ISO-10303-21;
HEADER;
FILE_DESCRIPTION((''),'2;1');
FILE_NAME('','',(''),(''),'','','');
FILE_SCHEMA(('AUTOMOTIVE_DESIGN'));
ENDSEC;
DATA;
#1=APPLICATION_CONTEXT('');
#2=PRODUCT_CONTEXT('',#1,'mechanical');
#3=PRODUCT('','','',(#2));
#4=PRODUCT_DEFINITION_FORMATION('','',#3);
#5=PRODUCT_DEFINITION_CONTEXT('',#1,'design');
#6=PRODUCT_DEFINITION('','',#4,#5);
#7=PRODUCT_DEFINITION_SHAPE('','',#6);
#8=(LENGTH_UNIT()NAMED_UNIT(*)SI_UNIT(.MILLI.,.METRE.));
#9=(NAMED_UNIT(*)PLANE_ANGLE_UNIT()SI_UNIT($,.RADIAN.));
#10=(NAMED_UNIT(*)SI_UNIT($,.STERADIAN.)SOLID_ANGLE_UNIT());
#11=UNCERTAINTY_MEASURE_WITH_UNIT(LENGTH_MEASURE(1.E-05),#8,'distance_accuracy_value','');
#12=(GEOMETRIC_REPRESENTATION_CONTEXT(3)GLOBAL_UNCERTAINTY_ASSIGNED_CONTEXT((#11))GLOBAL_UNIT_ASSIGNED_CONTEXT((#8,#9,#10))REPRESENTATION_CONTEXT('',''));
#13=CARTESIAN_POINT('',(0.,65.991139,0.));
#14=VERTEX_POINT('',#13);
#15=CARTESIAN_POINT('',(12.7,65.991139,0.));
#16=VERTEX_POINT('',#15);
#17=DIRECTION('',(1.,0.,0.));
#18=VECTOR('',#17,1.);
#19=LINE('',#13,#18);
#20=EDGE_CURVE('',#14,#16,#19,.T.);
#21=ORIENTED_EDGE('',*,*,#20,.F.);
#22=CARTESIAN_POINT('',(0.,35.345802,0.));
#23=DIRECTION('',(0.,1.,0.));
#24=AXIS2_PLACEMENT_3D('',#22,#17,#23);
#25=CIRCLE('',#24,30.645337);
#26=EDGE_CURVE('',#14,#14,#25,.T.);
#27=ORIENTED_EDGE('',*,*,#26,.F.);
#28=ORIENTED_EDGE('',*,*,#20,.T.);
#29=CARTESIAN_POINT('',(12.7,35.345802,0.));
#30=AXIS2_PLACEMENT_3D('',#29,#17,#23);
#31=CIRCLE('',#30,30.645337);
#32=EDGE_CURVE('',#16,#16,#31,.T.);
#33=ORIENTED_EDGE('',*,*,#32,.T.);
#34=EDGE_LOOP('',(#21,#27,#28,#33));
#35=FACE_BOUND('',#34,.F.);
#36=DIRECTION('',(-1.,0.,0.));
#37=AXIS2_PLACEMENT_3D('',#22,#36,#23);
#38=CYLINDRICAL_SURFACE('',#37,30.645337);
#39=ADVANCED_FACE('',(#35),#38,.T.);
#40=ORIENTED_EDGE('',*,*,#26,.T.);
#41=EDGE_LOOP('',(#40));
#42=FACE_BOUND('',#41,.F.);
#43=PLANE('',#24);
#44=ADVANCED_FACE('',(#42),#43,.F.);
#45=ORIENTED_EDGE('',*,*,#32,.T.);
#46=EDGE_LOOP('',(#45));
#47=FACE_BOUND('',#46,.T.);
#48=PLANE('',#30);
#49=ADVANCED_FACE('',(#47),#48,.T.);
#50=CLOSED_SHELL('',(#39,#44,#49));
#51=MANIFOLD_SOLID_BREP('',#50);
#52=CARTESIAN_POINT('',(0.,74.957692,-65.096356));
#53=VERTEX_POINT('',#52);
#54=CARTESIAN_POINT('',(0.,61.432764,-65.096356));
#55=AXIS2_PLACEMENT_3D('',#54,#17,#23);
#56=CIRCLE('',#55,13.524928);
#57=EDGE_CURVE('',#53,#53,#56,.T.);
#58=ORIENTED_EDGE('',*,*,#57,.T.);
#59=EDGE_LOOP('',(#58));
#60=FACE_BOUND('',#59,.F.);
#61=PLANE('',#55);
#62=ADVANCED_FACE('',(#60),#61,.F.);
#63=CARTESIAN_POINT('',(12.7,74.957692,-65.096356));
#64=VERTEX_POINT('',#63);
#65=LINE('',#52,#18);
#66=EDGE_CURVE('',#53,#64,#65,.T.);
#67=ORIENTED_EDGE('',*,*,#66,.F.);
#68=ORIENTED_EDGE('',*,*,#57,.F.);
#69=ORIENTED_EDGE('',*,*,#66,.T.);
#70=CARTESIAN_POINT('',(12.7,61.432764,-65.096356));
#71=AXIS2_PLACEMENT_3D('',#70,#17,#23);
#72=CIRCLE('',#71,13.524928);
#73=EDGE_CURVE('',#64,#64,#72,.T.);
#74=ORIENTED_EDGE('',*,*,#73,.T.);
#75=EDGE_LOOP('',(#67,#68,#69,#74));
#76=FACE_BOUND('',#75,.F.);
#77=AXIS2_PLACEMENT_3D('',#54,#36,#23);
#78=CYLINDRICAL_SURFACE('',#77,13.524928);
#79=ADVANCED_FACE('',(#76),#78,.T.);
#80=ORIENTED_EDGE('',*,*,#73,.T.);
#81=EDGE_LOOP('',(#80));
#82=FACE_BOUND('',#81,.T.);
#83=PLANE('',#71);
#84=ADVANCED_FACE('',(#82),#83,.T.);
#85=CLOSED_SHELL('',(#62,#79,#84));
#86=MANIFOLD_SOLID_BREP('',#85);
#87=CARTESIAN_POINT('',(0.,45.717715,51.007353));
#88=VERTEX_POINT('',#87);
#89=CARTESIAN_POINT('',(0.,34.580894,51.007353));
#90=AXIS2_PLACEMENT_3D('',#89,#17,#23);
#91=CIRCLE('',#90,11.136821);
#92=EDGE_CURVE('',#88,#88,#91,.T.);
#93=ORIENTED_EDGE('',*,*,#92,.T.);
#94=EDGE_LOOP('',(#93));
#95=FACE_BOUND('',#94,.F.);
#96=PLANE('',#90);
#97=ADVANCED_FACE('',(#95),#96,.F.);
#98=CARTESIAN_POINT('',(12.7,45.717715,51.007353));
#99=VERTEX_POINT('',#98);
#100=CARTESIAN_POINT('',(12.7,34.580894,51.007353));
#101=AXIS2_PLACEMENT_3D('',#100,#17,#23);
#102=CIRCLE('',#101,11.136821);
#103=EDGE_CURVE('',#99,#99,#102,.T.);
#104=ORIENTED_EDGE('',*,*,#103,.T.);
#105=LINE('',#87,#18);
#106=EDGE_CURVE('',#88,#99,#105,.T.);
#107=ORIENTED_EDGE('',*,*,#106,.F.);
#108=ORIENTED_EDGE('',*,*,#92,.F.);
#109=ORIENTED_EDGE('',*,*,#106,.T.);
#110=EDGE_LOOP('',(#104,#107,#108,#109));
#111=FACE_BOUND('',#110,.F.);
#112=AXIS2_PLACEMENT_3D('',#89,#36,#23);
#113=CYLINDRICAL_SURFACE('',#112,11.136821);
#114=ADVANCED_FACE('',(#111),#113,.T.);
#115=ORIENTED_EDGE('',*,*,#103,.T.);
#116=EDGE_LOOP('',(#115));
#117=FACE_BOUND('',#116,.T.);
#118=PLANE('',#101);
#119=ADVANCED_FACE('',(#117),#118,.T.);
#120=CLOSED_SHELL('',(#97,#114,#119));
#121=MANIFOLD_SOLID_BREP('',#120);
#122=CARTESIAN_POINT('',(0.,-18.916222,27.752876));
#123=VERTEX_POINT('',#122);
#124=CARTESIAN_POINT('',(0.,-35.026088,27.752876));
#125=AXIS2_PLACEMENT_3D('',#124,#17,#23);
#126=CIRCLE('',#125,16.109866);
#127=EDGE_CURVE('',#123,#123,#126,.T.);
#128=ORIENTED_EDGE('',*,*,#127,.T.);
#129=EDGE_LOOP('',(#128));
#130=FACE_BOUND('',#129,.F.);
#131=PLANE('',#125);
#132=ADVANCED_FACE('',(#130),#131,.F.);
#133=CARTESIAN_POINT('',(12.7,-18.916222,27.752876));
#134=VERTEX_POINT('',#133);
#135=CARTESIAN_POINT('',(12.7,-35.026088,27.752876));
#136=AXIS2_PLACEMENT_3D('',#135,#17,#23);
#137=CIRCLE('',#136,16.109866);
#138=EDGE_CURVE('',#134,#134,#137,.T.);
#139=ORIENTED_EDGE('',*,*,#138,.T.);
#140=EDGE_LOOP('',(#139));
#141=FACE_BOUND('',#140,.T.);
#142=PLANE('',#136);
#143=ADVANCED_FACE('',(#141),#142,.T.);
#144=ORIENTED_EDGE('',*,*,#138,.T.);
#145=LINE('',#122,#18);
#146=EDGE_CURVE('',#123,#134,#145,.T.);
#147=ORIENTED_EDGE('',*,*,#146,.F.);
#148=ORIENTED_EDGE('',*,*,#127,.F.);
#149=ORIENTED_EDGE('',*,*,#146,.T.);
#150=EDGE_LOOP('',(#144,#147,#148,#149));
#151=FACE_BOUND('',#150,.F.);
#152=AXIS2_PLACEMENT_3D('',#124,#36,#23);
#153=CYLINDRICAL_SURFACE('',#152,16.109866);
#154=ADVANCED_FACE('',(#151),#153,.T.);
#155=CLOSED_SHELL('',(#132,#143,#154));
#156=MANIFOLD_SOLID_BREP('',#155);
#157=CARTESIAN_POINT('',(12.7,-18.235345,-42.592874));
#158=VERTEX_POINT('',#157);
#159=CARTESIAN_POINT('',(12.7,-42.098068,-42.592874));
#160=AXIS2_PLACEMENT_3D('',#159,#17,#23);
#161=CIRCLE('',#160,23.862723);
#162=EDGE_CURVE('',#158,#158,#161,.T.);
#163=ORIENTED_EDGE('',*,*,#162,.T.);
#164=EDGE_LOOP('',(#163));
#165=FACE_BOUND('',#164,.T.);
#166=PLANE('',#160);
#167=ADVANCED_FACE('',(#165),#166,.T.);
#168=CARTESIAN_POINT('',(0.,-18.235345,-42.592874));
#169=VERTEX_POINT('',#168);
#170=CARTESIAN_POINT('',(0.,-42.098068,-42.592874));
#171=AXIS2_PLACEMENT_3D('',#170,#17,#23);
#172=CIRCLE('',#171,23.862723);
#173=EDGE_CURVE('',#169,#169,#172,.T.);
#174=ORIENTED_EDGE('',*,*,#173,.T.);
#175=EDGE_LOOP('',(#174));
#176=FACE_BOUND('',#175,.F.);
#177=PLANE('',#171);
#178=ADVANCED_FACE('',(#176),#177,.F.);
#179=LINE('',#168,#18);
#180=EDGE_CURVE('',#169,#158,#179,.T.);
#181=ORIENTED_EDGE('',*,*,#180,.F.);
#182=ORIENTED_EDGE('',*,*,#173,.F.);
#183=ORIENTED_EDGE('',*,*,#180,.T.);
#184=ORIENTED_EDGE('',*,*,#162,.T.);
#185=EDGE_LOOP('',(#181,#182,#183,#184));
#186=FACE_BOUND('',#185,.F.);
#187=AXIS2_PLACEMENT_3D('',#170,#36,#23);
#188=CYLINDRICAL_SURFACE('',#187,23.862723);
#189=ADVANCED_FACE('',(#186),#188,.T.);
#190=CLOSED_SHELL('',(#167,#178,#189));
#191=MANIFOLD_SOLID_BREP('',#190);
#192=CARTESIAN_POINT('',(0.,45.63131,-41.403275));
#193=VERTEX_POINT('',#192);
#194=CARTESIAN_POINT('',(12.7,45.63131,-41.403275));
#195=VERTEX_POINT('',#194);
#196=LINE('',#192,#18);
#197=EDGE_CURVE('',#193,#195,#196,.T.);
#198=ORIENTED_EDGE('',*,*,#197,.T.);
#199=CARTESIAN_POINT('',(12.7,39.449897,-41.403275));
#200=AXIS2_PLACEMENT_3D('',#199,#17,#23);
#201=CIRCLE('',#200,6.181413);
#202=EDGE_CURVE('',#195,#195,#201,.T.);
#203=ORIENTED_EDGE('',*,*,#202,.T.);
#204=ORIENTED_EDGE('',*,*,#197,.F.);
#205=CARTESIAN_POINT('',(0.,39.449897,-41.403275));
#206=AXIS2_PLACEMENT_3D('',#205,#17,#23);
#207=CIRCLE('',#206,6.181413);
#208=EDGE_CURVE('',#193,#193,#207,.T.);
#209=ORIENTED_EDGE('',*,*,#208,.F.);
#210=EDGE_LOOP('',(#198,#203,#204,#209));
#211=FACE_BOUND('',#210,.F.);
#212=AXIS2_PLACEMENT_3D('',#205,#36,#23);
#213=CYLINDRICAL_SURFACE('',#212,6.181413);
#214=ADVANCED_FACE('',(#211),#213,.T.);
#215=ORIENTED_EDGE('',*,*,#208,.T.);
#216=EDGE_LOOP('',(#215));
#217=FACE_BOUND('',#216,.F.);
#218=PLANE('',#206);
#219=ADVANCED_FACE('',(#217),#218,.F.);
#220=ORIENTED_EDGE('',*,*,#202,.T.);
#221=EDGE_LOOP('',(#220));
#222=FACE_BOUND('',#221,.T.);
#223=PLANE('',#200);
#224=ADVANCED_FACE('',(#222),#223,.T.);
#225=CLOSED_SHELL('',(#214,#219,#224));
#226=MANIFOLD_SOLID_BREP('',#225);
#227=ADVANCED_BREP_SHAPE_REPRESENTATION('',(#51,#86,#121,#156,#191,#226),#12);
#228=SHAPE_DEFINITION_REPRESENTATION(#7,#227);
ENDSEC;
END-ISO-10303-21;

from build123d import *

# Parameters (mm, degrees)
F0_R     = 13.524928
F0_R_2   = 6.181413
F0_R_3   = 30.645337
F0_R_4   = 16.109866
F0_R_5   = 23.862723
F0_R_6   = 11.136821
F1_DEPTH = 12.7


with BuildPart() as f1:
    # F0 (on Right) → F1 (new body)
    with BuildSketch(Plane.YZ):
        with Locations((61.432764, -65.096356)):
            Circle(F0_R)
        with Locations((39.449897, -41.403275)):
            Circle(F0_R_2)
        with Locations((35.345802, 0)):
            Circle(F0_R_3)
        with Locations((-35.026088, 27.752876)):
            Circle(F0_R_4)
        with Locations((-42.098068, -42.592874)):
            Circle(F0_R_5)
        with Locations((34.580894, 51.007353)):
            Circle(F0_R_6)
    extrude(amount=F1_DEPTH)


solid = f1.part
